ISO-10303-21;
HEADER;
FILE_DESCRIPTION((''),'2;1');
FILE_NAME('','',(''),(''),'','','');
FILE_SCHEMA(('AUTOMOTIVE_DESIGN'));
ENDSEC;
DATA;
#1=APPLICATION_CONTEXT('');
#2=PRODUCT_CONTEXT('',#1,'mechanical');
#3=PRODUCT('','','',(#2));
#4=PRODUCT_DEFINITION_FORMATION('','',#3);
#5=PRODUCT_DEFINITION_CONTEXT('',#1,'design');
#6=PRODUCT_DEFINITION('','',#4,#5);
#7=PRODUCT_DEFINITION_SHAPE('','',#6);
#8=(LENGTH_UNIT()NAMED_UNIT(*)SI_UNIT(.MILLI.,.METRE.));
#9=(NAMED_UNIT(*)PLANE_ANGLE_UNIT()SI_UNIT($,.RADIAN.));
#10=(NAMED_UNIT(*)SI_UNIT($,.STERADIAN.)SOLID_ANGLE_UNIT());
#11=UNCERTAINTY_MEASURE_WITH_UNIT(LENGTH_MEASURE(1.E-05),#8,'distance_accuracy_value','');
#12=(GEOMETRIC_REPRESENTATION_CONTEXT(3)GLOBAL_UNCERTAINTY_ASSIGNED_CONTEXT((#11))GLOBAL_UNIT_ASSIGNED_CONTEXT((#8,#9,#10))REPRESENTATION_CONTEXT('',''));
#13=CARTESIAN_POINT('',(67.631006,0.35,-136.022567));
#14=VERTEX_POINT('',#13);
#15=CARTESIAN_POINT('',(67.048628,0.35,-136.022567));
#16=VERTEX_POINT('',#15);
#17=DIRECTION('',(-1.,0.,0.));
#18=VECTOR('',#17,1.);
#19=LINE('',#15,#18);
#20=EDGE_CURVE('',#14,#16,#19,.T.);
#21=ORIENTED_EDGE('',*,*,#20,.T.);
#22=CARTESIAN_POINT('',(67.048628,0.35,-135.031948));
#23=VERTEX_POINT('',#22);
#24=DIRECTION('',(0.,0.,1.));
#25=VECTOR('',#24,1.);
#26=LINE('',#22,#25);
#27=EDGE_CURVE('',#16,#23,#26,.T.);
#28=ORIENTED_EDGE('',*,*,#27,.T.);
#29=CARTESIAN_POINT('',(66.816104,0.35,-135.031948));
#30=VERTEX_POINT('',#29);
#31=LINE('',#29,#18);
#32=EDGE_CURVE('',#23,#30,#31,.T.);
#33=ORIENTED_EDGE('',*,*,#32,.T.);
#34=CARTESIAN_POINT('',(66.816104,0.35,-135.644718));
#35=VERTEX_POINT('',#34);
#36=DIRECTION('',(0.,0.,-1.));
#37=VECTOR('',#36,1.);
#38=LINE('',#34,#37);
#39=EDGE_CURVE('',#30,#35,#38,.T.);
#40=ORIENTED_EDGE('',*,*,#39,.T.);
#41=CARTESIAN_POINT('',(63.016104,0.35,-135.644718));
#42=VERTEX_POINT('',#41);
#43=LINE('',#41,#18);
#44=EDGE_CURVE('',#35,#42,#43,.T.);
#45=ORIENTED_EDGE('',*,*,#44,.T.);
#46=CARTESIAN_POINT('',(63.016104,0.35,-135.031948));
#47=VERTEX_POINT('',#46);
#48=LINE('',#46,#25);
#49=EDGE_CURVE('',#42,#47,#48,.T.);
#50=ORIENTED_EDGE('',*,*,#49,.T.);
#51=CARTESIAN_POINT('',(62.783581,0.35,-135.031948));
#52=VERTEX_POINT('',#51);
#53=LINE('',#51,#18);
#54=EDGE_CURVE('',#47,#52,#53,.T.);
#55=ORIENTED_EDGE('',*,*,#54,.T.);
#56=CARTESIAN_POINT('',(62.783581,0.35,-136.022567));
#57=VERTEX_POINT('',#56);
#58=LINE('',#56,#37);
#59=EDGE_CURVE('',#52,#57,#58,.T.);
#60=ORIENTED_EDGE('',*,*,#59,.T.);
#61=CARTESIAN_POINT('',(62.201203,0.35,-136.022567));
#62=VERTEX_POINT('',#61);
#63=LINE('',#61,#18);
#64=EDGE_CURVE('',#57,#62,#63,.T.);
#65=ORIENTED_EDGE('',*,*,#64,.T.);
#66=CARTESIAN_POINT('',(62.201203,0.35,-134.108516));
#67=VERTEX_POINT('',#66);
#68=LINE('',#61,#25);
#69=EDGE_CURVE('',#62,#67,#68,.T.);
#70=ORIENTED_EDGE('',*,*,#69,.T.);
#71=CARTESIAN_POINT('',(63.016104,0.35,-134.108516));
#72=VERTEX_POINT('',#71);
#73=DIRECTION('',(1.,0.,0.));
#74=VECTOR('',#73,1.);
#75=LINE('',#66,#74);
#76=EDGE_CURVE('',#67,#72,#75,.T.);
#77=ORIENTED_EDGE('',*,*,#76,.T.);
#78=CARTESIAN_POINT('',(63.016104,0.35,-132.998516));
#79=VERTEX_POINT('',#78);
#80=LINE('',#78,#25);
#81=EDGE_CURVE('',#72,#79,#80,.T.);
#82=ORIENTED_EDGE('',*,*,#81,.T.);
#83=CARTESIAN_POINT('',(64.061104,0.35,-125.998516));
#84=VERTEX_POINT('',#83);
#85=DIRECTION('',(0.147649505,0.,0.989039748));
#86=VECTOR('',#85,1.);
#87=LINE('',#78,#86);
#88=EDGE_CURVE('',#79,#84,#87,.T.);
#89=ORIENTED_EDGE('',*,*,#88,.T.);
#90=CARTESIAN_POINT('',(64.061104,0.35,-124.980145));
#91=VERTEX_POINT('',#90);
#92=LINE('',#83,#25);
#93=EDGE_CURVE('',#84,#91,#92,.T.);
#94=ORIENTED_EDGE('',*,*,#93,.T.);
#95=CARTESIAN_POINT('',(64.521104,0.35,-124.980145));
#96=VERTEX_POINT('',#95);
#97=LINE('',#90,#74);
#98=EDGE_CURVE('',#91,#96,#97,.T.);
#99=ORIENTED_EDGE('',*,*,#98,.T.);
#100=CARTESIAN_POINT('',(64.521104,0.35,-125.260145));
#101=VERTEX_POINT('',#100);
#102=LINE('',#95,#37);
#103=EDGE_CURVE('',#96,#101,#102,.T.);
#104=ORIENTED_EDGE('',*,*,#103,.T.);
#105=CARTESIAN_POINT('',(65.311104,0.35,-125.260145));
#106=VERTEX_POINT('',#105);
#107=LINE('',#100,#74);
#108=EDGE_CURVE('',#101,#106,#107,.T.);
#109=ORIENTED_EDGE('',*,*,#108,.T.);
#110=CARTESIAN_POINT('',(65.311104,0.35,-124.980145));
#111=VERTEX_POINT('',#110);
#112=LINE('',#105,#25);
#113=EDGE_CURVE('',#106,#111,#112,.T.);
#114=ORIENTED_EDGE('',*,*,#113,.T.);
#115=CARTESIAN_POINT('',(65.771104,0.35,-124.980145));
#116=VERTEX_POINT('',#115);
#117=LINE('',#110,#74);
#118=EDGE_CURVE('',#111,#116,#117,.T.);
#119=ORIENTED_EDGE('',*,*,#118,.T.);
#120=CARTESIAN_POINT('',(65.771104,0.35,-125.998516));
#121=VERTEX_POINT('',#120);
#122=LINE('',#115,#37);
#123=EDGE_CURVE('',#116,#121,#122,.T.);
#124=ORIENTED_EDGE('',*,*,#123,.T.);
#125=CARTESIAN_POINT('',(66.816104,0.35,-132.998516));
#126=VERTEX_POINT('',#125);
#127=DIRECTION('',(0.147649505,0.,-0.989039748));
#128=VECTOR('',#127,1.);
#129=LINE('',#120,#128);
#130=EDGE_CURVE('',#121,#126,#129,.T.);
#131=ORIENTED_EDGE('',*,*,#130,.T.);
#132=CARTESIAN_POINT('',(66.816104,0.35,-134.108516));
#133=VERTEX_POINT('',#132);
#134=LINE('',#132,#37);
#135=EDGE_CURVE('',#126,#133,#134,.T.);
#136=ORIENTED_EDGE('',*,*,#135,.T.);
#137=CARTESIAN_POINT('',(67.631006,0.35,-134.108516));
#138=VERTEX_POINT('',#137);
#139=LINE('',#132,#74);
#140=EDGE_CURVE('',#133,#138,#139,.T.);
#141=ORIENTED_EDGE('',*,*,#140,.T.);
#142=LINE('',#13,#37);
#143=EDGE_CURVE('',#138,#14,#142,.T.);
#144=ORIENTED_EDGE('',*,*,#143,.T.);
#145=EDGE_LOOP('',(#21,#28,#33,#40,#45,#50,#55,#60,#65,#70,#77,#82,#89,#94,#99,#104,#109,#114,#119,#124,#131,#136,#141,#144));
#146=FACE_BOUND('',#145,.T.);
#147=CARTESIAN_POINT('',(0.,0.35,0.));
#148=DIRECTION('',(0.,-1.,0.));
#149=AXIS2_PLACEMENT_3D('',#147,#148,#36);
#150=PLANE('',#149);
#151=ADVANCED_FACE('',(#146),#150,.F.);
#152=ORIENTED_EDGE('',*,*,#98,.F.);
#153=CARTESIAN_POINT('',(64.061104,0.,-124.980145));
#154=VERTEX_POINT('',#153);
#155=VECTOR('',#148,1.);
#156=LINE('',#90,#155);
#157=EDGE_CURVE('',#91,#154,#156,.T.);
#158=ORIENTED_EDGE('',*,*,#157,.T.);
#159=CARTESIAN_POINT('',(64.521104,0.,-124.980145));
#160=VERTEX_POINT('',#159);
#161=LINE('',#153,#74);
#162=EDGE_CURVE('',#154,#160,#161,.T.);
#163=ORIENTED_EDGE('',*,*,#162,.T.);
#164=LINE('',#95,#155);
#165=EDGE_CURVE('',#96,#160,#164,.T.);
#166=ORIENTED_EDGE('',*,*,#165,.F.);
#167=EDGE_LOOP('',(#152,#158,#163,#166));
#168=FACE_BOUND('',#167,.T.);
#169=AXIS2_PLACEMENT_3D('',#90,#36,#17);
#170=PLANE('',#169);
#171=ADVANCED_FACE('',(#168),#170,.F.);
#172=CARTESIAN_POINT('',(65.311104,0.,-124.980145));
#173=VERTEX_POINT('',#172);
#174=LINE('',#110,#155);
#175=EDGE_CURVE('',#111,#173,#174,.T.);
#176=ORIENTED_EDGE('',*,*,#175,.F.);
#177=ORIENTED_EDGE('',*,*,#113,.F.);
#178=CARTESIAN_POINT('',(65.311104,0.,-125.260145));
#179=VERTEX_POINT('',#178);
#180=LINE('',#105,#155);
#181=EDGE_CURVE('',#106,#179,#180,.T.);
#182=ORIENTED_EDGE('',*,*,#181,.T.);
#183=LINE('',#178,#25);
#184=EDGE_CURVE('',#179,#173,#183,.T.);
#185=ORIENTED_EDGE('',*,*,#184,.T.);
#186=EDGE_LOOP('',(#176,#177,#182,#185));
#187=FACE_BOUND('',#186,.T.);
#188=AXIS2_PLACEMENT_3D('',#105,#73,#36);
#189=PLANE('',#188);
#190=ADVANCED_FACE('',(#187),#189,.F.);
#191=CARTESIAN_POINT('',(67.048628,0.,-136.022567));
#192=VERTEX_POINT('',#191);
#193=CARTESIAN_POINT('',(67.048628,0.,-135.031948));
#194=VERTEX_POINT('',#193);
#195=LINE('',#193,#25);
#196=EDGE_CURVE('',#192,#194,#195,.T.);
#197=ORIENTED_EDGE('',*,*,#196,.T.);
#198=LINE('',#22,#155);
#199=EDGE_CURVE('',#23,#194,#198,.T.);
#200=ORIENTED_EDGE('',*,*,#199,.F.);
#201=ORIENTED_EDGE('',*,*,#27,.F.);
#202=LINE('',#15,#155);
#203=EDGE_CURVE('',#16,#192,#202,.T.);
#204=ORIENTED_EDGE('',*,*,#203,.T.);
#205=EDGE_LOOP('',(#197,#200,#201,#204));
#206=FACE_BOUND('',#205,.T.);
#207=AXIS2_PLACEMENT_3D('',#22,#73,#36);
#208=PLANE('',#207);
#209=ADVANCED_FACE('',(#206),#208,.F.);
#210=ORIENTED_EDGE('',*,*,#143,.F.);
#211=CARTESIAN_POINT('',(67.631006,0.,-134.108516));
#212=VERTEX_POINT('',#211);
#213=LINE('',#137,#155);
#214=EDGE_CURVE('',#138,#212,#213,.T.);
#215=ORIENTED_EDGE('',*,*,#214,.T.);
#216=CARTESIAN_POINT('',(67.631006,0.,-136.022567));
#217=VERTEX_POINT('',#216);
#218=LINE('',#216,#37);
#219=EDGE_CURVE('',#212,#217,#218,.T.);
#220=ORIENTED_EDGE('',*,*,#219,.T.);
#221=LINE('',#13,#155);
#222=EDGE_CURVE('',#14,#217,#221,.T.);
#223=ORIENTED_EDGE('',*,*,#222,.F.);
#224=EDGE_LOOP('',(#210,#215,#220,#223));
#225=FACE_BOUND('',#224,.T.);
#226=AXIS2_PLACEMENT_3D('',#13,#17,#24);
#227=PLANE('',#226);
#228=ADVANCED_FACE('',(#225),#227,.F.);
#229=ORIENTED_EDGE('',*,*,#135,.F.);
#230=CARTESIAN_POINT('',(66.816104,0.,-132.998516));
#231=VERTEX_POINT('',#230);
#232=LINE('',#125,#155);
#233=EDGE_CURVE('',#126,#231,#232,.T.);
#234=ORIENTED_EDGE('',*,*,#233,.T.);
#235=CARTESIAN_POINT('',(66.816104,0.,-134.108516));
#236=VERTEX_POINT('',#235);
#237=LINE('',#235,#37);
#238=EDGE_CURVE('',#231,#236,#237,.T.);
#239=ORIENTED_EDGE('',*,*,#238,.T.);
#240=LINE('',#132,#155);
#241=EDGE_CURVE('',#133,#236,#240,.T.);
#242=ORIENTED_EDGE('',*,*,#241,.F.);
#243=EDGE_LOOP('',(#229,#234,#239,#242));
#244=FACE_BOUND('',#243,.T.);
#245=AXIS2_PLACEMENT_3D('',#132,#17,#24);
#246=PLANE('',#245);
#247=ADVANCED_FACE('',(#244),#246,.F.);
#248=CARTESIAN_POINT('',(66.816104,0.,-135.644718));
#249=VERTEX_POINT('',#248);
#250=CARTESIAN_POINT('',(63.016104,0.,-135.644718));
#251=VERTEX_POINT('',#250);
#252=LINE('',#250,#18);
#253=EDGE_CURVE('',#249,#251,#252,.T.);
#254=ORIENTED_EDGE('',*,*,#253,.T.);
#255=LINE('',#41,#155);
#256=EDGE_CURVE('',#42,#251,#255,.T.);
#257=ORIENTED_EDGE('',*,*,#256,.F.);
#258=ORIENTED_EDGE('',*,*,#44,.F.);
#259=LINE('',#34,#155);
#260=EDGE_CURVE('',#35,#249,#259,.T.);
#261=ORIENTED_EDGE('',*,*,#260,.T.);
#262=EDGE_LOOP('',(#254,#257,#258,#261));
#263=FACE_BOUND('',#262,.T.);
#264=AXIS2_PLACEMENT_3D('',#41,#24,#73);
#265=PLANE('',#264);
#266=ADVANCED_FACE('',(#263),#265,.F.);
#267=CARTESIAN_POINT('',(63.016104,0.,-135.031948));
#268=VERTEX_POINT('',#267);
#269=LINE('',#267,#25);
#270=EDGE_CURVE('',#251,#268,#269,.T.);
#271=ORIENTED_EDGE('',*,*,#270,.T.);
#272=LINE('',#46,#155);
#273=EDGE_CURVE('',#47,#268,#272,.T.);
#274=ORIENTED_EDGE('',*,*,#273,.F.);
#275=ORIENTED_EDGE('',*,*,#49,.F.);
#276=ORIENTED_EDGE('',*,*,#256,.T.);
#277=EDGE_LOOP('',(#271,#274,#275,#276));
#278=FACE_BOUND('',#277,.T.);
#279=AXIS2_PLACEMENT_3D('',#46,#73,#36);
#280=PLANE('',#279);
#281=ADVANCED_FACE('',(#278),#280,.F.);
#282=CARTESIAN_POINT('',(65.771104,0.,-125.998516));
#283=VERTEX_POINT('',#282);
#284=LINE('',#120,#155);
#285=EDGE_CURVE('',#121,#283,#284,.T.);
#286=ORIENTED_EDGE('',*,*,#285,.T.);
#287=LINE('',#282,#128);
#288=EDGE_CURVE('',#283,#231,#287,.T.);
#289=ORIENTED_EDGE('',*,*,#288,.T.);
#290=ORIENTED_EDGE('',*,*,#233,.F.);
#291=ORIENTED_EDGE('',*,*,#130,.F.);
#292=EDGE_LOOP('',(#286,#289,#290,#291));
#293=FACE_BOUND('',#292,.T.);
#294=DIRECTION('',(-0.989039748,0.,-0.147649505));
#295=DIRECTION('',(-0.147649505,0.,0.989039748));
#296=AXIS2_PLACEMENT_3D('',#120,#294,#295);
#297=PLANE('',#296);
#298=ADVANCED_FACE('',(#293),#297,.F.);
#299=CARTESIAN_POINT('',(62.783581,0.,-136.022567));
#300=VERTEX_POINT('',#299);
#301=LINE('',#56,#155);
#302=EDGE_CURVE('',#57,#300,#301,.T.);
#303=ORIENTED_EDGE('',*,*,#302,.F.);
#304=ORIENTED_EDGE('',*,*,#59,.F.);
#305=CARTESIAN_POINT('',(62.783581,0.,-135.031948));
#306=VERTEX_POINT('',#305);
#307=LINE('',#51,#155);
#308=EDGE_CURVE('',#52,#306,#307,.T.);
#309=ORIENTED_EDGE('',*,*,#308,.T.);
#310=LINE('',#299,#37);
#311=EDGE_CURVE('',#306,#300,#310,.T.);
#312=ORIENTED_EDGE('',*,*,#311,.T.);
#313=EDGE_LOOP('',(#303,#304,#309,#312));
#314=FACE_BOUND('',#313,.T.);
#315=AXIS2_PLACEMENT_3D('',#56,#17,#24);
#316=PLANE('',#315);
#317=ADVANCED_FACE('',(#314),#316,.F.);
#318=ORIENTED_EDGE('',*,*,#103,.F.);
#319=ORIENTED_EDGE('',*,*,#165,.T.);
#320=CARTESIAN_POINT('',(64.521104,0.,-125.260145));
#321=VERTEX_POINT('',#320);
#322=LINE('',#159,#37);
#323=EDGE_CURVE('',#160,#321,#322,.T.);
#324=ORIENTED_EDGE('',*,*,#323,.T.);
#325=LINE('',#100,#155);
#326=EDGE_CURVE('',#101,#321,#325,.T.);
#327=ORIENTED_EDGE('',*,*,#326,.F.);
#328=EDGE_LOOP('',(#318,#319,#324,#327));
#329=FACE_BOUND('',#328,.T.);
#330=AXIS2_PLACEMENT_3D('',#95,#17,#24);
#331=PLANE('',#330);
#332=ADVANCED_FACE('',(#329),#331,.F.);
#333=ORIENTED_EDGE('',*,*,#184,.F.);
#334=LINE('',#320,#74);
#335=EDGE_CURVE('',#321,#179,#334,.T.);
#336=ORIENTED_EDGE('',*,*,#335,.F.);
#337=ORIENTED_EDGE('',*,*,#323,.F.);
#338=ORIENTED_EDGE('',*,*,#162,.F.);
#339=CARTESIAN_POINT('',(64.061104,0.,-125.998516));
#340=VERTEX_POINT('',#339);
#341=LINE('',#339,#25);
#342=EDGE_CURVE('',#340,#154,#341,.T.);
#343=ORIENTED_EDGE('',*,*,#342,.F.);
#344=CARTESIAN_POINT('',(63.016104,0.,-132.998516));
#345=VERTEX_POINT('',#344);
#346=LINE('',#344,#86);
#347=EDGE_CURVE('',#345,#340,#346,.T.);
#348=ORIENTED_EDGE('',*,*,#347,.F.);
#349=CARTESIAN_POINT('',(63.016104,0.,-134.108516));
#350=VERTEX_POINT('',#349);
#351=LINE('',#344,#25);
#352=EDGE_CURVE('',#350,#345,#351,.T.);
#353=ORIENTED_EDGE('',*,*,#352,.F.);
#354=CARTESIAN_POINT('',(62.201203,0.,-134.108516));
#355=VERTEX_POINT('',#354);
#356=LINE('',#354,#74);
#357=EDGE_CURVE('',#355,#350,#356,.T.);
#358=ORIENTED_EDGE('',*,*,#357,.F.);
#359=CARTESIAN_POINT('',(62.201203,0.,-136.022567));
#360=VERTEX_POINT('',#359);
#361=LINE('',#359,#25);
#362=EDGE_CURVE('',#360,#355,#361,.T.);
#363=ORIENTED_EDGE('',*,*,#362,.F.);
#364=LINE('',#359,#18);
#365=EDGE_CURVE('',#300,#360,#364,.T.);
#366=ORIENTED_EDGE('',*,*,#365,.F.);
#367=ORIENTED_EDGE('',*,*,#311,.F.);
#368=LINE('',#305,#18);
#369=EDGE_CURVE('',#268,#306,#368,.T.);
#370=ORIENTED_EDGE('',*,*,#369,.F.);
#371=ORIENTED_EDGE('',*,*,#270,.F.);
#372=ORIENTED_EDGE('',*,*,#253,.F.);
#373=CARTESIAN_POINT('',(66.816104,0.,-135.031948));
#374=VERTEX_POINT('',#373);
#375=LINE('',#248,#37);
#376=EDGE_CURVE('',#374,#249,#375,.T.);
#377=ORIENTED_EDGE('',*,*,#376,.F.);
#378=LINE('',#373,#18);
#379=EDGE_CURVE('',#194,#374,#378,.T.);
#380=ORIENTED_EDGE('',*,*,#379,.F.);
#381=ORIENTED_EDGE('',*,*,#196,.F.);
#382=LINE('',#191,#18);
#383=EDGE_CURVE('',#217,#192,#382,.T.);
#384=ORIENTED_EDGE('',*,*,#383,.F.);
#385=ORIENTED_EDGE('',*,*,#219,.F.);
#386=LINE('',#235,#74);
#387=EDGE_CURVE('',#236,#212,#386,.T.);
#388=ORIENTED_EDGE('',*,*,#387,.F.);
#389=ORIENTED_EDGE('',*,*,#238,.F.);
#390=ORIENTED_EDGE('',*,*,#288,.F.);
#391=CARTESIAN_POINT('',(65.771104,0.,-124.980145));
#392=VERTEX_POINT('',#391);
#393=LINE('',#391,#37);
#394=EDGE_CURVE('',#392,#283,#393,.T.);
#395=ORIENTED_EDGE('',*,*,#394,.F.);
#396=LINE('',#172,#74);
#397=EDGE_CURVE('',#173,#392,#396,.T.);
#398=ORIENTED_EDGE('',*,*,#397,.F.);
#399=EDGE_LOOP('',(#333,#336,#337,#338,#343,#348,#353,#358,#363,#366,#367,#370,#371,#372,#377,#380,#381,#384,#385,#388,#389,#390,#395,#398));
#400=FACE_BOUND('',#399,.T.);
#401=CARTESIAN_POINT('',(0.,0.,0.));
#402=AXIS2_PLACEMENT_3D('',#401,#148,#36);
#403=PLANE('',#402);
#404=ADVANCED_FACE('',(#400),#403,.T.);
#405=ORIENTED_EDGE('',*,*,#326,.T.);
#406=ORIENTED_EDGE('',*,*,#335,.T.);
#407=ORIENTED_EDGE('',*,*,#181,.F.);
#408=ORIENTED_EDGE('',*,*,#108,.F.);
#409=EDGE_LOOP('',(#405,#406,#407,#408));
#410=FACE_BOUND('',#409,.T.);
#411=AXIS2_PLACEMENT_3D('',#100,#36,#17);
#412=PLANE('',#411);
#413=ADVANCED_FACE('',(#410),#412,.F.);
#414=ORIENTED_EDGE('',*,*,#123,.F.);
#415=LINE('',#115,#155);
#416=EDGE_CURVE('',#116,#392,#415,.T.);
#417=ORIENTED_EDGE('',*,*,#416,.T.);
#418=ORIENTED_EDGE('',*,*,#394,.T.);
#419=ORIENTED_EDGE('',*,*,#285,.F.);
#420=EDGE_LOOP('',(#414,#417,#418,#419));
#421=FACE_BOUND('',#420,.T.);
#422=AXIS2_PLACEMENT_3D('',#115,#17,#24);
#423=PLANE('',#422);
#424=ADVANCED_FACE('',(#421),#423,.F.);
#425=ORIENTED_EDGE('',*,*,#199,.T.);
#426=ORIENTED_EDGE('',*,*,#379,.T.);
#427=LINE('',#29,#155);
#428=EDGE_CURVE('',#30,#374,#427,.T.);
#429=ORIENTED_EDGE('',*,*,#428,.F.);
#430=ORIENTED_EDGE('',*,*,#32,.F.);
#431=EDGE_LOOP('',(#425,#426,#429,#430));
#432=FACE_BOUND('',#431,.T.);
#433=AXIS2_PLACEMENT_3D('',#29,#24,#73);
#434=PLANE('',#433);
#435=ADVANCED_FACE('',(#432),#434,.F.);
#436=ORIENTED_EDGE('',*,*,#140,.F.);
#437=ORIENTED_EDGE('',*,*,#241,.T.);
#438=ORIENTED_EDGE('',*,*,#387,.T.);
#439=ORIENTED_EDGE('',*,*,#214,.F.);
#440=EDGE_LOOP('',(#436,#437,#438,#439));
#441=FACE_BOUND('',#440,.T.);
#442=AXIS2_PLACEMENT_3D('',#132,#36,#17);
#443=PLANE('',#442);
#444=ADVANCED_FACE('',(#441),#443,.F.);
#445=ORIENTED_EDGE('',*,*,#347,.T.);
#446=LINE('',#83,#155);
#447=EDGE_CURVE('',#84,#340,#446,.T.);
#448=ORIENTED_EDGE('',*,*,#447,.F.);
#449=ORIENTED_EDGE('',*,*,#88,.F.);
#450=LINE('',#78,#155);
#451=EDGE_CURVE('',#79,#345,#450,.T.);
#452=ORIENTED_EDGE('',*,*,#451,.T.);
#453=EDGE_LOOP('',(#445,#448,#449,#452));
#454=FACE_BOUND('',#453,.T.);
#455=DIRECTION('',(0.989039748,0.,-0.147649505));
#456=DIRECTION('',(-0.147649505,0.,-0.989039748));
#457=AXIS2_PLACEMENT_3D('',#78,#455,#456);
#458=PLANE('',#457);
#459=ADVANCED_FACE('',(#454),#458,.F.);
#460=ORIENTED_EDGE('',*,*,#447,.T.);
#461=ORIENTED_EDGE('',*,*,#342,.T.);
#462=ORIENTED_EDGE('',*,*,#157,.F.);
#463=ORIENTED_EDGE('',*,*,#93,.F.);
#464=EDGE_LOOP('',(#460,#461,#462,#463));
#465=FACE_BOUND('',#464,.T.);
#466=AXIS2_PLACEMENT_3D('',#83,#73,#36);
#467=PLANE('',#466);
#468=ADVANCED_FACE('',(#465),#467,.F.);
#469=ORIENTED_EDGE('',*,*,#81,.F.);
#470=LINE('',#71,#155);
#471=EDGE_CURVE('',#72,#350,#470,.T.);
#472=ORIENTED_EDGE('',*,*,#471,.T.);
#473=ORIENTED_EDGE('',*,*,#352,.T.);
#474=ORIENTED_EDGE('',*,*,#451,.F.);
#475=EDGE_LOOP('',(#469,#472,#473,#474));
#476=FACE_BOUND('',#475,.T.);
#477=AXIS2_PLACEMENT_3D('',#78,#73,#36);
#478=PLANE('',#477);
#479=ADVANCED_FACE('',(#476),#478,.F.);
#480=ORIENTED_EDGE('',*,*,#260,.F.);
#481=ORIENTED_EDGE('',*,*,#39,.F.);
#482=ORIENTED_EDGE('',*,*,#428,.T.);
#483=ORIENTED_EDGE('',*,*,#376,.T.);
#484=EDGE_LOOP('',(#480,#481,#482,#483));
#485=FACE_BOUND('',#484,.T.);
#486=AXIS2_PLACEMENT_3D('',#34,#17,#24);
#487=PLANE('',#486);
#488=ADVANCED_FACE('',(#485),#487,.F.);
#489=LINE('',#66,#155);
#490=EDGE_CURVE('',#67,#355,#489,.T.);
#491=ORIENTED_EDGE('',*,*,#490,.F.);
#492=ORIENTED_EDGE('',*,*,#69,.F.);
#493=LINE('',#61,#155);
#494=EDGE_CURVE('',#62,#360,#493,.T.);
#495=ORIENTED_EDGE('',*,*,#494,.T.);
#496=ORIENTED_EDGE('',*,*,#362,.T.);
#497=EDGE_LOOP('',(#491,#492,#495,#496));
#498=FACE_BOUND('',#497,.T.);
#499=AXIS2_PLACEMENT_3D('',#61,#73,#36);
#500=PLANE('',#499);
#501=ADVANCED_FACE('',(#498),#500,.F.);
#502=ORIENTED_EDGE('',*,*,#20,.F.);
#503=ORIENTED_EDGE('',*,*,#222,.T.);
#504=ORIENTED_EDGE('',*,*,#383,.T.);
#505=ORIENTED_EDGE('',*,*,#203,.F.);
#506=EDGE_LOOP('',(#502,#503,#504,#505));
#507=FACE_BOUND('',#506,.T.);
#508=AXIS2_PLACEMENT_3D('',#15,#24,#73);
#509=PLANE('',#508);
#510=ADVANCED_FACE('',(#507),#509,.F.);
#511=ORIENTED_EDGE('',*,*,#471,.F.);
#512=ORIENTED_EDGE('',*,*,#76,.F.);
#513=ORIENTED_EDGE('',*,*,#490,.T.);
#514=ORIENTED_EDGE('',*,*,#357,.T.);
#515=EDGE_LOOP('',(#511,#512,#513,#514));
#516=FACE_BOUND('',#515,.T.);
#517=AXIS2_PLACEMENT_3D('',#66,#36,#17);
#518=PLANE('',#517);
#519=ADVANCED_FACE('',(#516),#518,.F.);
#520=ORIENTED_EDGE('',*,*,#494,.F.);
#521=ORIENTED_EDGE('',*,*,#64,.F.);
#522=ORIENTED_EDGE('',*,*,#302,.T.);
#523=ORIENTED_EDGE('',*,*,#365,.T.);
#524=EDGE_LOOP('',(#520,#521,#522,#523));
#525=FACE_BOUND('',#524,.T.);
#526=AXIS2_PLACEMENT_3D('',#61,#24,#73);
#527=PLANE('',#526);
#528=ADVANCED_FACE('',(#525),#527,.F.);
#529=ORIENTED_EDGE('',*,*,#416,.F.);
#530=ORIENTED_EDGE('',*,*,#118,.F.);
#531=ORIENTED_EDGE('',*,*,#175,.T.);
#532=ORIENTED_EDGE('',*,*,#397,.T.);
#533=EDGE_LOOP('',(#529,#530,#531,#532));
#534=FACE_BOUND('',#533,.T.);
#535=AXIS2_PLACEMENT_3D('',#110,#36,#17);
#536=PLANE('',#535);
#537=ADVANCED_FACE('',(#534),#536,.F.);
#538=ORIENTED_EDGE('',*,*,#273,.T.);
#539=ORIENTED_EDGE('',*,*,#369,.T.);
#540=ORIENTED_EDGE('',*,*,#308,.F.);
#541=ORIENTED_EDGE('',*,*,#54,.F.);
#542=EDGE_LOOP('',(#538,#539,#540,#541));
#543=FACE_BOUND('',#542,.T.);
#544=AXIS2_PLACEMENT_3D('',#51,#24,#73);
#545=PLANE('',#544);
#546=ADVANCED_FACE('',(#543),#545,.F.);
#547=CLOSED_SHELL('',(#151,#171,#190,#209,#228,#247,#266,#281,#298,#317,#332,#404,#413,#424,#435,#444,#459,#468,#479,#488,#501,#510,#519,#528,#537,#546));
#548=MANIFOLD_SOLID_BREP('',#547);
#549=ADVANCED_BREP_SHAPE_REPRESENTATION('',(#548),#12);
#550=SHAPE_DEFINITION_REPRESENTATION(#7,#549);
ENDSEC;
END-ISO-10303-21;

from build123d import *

# Parameters (mm, degrees)
BOSS_EXTRUDE1_DEPTH = 0.35


with BuildPart() as part:
    # Sketch1 → Boss-Extrude1 (new body)
    with BuildSketch(Plane(origin=(0, 0, 0), x_dir=(1, 0, 0), z_dir=(0, 1, 0))):
        Polygon((65.771104466, 125.998516086), (66.816104466, 132.998516086), (66.816104466, 134.108516086), (67.631005787, 134.108516086), (67.631005787, 136.022566648), (67.048628044, 136.022566648), (67.048628044, 135.031947544), (66.816104466, 135.031947544), (66.816104466, 135.644718334), (63.016104466, 135.644718334), (63.016104466, 135.031947544), (62.783580887, 135.031947544), (62.783580887, 136.022566648), (62.201203144, 136.022566648), (62.201203144, 134.108516086), (63.016104466, 134.108516086), (63.016104466, 132.998516086), (64.061104466, 125.998516086), (64.061104466, 124.980144879), (64.521104466, 124.980144879), (64.521104466, 125.260144879), (65.311104466, 125.260144879), (65.311104466, 124.980144879), (65.771104466, 124.980144879), align=None)
    extrude(amount=BOSS_EXTRUDE1_DEPTH)


solid = part.part
